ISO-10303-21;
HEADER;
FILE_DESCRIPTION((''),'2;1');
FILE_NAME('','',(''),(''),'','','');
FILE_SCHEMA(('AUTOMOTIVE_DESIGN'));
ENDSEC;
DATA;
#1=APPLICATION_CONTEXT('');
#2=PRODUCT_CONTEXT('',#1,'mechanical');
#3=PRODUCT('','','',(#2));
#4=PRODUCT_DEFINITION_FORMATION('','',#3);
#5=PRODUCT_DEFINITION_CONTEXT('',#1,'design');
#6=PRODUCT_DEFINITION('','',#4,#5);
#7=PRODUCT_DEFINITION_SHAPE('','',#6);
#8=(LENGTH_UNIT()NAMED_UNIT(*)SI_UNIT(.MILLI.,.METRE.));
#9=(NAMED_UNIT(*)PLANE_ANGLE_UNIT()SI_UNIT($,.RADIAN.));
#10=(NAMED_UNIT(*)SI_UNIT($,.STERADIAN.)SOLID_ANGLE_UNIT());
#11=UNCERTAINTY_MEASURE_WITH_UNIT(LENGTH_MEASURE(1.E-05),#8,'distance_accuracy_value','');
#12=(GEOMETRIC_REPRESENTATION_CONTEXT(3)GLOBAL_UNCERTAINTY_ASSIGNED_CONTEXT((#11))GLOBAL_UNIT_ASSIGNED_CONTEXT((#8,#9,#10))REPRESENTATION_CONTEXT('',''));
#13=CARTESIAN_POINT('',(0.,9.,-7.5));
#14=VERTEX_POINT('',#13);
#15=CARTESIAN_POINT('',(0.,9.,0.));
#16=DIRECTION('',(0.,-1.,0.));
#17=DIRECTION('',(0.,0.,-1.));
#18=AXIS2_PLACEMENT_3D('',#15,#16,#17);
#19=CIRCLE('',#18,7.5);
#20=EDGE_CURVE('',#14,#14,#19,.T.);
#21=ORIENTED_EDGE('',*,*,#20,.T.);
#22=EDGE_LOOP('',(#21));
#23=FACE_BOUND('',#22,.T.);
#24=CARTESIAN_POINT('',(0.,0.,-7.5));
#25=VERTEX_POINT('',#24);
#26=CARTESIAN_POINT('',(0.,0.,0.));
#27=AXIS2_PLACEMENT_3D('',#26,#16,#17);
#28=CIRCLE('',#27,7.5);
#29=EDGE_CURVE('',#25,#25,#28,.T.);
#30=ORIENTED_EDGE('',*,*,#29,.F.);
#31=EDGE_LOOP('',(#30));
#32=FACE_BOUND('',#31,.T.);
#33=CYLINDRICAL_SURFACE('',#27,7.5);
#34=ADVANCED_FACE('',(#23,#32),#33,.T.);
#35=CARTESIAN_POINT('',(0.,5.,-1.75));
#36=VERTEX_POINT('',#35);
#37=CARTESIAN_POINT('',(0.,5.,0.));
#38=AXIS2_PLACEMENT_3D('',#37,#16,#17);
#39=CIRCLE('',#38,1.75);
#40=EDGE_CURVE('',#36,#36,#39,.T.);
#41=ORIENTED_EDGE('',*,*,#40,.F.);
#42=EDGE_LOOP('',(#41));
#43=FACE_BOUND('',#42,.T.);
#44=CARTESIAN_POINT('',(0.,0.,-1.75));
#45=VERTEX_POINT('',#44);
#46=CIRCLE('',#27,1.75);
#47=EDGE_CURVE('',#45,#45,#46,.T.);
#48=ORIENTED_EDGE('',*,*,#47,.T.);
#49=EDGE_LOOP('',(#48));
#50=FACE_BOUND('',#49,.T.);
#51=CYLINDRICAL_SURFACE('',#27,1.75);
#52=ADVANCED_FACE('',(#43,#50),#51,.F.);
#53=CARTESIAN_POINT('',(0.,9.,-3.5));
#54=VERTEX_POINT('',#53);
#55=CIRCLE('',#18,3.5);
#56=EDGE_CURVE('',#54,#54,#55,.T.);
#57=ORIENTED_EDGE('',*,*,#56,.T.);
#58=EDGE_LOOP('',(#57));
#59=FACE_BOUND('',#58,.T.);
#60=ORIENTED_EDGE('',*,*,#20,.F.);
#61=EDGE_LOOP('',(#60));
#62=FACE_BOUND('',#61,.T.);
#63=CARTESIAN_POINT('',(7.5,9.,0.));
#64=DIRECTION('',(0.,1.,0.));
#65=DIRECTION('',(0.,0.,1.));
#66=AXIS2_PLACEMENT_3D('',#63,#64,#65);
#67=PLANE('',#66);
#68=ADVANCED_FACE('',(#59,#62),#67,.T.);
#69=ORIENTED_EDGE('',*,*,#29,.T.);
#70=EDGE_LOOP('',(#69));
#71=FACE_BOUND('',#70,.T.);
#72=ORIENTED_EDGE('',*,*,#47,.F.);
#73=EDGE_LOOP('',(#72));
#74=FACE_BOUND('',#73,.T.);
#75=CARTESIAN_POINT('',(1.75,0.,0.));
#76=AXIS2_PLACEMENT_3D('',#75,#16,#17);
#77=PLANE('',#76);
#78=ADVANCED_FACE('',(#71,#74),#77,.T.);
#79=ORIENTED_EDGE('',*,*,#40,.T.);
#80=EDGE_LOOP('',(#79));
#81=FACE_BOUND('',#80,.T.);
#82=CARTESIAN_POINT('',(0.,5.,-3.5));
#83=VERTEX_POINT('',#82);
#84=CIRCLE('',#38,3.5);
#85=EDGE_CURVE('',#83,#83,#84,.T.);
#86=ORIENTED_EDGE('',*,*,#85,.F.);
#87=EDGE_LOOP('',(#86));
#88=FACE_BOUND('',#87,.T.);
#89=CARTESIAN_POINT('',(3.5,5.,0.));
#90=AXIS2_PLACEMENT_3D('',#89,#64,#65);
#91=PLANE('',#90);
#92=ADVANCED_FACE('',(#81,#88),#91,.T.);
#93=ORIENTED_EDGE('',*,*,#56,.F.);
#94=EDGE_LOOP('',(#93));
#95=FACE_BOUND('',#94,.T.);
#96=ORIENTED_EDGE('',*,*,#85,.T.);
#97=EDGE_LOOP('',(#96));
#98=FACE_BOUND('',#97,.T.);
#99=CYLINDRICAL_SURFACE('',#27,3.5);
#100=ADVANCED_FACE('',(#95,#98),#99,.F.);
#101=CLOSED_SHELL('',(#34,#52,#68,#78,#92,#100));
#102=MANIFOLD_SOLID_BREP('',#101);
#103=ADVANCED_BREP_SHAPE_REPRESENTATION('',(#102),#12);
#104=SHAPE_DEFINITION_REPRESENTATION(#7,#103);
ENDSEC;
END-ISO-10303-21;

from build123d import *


with BuildPart() as part:
    # Sketch1 → Revolve1 (revolve)
    with BuildSketch(Plane.XY):
        Polygon((3.5, 9), (3.5, 5), (1.75, 5), (1.75, 0), (7.5, 0), (7.5, 9), align=None)
    revolve(axis=Axis((0, 0, 0), (0, 1, 0)))


solid = part.part
